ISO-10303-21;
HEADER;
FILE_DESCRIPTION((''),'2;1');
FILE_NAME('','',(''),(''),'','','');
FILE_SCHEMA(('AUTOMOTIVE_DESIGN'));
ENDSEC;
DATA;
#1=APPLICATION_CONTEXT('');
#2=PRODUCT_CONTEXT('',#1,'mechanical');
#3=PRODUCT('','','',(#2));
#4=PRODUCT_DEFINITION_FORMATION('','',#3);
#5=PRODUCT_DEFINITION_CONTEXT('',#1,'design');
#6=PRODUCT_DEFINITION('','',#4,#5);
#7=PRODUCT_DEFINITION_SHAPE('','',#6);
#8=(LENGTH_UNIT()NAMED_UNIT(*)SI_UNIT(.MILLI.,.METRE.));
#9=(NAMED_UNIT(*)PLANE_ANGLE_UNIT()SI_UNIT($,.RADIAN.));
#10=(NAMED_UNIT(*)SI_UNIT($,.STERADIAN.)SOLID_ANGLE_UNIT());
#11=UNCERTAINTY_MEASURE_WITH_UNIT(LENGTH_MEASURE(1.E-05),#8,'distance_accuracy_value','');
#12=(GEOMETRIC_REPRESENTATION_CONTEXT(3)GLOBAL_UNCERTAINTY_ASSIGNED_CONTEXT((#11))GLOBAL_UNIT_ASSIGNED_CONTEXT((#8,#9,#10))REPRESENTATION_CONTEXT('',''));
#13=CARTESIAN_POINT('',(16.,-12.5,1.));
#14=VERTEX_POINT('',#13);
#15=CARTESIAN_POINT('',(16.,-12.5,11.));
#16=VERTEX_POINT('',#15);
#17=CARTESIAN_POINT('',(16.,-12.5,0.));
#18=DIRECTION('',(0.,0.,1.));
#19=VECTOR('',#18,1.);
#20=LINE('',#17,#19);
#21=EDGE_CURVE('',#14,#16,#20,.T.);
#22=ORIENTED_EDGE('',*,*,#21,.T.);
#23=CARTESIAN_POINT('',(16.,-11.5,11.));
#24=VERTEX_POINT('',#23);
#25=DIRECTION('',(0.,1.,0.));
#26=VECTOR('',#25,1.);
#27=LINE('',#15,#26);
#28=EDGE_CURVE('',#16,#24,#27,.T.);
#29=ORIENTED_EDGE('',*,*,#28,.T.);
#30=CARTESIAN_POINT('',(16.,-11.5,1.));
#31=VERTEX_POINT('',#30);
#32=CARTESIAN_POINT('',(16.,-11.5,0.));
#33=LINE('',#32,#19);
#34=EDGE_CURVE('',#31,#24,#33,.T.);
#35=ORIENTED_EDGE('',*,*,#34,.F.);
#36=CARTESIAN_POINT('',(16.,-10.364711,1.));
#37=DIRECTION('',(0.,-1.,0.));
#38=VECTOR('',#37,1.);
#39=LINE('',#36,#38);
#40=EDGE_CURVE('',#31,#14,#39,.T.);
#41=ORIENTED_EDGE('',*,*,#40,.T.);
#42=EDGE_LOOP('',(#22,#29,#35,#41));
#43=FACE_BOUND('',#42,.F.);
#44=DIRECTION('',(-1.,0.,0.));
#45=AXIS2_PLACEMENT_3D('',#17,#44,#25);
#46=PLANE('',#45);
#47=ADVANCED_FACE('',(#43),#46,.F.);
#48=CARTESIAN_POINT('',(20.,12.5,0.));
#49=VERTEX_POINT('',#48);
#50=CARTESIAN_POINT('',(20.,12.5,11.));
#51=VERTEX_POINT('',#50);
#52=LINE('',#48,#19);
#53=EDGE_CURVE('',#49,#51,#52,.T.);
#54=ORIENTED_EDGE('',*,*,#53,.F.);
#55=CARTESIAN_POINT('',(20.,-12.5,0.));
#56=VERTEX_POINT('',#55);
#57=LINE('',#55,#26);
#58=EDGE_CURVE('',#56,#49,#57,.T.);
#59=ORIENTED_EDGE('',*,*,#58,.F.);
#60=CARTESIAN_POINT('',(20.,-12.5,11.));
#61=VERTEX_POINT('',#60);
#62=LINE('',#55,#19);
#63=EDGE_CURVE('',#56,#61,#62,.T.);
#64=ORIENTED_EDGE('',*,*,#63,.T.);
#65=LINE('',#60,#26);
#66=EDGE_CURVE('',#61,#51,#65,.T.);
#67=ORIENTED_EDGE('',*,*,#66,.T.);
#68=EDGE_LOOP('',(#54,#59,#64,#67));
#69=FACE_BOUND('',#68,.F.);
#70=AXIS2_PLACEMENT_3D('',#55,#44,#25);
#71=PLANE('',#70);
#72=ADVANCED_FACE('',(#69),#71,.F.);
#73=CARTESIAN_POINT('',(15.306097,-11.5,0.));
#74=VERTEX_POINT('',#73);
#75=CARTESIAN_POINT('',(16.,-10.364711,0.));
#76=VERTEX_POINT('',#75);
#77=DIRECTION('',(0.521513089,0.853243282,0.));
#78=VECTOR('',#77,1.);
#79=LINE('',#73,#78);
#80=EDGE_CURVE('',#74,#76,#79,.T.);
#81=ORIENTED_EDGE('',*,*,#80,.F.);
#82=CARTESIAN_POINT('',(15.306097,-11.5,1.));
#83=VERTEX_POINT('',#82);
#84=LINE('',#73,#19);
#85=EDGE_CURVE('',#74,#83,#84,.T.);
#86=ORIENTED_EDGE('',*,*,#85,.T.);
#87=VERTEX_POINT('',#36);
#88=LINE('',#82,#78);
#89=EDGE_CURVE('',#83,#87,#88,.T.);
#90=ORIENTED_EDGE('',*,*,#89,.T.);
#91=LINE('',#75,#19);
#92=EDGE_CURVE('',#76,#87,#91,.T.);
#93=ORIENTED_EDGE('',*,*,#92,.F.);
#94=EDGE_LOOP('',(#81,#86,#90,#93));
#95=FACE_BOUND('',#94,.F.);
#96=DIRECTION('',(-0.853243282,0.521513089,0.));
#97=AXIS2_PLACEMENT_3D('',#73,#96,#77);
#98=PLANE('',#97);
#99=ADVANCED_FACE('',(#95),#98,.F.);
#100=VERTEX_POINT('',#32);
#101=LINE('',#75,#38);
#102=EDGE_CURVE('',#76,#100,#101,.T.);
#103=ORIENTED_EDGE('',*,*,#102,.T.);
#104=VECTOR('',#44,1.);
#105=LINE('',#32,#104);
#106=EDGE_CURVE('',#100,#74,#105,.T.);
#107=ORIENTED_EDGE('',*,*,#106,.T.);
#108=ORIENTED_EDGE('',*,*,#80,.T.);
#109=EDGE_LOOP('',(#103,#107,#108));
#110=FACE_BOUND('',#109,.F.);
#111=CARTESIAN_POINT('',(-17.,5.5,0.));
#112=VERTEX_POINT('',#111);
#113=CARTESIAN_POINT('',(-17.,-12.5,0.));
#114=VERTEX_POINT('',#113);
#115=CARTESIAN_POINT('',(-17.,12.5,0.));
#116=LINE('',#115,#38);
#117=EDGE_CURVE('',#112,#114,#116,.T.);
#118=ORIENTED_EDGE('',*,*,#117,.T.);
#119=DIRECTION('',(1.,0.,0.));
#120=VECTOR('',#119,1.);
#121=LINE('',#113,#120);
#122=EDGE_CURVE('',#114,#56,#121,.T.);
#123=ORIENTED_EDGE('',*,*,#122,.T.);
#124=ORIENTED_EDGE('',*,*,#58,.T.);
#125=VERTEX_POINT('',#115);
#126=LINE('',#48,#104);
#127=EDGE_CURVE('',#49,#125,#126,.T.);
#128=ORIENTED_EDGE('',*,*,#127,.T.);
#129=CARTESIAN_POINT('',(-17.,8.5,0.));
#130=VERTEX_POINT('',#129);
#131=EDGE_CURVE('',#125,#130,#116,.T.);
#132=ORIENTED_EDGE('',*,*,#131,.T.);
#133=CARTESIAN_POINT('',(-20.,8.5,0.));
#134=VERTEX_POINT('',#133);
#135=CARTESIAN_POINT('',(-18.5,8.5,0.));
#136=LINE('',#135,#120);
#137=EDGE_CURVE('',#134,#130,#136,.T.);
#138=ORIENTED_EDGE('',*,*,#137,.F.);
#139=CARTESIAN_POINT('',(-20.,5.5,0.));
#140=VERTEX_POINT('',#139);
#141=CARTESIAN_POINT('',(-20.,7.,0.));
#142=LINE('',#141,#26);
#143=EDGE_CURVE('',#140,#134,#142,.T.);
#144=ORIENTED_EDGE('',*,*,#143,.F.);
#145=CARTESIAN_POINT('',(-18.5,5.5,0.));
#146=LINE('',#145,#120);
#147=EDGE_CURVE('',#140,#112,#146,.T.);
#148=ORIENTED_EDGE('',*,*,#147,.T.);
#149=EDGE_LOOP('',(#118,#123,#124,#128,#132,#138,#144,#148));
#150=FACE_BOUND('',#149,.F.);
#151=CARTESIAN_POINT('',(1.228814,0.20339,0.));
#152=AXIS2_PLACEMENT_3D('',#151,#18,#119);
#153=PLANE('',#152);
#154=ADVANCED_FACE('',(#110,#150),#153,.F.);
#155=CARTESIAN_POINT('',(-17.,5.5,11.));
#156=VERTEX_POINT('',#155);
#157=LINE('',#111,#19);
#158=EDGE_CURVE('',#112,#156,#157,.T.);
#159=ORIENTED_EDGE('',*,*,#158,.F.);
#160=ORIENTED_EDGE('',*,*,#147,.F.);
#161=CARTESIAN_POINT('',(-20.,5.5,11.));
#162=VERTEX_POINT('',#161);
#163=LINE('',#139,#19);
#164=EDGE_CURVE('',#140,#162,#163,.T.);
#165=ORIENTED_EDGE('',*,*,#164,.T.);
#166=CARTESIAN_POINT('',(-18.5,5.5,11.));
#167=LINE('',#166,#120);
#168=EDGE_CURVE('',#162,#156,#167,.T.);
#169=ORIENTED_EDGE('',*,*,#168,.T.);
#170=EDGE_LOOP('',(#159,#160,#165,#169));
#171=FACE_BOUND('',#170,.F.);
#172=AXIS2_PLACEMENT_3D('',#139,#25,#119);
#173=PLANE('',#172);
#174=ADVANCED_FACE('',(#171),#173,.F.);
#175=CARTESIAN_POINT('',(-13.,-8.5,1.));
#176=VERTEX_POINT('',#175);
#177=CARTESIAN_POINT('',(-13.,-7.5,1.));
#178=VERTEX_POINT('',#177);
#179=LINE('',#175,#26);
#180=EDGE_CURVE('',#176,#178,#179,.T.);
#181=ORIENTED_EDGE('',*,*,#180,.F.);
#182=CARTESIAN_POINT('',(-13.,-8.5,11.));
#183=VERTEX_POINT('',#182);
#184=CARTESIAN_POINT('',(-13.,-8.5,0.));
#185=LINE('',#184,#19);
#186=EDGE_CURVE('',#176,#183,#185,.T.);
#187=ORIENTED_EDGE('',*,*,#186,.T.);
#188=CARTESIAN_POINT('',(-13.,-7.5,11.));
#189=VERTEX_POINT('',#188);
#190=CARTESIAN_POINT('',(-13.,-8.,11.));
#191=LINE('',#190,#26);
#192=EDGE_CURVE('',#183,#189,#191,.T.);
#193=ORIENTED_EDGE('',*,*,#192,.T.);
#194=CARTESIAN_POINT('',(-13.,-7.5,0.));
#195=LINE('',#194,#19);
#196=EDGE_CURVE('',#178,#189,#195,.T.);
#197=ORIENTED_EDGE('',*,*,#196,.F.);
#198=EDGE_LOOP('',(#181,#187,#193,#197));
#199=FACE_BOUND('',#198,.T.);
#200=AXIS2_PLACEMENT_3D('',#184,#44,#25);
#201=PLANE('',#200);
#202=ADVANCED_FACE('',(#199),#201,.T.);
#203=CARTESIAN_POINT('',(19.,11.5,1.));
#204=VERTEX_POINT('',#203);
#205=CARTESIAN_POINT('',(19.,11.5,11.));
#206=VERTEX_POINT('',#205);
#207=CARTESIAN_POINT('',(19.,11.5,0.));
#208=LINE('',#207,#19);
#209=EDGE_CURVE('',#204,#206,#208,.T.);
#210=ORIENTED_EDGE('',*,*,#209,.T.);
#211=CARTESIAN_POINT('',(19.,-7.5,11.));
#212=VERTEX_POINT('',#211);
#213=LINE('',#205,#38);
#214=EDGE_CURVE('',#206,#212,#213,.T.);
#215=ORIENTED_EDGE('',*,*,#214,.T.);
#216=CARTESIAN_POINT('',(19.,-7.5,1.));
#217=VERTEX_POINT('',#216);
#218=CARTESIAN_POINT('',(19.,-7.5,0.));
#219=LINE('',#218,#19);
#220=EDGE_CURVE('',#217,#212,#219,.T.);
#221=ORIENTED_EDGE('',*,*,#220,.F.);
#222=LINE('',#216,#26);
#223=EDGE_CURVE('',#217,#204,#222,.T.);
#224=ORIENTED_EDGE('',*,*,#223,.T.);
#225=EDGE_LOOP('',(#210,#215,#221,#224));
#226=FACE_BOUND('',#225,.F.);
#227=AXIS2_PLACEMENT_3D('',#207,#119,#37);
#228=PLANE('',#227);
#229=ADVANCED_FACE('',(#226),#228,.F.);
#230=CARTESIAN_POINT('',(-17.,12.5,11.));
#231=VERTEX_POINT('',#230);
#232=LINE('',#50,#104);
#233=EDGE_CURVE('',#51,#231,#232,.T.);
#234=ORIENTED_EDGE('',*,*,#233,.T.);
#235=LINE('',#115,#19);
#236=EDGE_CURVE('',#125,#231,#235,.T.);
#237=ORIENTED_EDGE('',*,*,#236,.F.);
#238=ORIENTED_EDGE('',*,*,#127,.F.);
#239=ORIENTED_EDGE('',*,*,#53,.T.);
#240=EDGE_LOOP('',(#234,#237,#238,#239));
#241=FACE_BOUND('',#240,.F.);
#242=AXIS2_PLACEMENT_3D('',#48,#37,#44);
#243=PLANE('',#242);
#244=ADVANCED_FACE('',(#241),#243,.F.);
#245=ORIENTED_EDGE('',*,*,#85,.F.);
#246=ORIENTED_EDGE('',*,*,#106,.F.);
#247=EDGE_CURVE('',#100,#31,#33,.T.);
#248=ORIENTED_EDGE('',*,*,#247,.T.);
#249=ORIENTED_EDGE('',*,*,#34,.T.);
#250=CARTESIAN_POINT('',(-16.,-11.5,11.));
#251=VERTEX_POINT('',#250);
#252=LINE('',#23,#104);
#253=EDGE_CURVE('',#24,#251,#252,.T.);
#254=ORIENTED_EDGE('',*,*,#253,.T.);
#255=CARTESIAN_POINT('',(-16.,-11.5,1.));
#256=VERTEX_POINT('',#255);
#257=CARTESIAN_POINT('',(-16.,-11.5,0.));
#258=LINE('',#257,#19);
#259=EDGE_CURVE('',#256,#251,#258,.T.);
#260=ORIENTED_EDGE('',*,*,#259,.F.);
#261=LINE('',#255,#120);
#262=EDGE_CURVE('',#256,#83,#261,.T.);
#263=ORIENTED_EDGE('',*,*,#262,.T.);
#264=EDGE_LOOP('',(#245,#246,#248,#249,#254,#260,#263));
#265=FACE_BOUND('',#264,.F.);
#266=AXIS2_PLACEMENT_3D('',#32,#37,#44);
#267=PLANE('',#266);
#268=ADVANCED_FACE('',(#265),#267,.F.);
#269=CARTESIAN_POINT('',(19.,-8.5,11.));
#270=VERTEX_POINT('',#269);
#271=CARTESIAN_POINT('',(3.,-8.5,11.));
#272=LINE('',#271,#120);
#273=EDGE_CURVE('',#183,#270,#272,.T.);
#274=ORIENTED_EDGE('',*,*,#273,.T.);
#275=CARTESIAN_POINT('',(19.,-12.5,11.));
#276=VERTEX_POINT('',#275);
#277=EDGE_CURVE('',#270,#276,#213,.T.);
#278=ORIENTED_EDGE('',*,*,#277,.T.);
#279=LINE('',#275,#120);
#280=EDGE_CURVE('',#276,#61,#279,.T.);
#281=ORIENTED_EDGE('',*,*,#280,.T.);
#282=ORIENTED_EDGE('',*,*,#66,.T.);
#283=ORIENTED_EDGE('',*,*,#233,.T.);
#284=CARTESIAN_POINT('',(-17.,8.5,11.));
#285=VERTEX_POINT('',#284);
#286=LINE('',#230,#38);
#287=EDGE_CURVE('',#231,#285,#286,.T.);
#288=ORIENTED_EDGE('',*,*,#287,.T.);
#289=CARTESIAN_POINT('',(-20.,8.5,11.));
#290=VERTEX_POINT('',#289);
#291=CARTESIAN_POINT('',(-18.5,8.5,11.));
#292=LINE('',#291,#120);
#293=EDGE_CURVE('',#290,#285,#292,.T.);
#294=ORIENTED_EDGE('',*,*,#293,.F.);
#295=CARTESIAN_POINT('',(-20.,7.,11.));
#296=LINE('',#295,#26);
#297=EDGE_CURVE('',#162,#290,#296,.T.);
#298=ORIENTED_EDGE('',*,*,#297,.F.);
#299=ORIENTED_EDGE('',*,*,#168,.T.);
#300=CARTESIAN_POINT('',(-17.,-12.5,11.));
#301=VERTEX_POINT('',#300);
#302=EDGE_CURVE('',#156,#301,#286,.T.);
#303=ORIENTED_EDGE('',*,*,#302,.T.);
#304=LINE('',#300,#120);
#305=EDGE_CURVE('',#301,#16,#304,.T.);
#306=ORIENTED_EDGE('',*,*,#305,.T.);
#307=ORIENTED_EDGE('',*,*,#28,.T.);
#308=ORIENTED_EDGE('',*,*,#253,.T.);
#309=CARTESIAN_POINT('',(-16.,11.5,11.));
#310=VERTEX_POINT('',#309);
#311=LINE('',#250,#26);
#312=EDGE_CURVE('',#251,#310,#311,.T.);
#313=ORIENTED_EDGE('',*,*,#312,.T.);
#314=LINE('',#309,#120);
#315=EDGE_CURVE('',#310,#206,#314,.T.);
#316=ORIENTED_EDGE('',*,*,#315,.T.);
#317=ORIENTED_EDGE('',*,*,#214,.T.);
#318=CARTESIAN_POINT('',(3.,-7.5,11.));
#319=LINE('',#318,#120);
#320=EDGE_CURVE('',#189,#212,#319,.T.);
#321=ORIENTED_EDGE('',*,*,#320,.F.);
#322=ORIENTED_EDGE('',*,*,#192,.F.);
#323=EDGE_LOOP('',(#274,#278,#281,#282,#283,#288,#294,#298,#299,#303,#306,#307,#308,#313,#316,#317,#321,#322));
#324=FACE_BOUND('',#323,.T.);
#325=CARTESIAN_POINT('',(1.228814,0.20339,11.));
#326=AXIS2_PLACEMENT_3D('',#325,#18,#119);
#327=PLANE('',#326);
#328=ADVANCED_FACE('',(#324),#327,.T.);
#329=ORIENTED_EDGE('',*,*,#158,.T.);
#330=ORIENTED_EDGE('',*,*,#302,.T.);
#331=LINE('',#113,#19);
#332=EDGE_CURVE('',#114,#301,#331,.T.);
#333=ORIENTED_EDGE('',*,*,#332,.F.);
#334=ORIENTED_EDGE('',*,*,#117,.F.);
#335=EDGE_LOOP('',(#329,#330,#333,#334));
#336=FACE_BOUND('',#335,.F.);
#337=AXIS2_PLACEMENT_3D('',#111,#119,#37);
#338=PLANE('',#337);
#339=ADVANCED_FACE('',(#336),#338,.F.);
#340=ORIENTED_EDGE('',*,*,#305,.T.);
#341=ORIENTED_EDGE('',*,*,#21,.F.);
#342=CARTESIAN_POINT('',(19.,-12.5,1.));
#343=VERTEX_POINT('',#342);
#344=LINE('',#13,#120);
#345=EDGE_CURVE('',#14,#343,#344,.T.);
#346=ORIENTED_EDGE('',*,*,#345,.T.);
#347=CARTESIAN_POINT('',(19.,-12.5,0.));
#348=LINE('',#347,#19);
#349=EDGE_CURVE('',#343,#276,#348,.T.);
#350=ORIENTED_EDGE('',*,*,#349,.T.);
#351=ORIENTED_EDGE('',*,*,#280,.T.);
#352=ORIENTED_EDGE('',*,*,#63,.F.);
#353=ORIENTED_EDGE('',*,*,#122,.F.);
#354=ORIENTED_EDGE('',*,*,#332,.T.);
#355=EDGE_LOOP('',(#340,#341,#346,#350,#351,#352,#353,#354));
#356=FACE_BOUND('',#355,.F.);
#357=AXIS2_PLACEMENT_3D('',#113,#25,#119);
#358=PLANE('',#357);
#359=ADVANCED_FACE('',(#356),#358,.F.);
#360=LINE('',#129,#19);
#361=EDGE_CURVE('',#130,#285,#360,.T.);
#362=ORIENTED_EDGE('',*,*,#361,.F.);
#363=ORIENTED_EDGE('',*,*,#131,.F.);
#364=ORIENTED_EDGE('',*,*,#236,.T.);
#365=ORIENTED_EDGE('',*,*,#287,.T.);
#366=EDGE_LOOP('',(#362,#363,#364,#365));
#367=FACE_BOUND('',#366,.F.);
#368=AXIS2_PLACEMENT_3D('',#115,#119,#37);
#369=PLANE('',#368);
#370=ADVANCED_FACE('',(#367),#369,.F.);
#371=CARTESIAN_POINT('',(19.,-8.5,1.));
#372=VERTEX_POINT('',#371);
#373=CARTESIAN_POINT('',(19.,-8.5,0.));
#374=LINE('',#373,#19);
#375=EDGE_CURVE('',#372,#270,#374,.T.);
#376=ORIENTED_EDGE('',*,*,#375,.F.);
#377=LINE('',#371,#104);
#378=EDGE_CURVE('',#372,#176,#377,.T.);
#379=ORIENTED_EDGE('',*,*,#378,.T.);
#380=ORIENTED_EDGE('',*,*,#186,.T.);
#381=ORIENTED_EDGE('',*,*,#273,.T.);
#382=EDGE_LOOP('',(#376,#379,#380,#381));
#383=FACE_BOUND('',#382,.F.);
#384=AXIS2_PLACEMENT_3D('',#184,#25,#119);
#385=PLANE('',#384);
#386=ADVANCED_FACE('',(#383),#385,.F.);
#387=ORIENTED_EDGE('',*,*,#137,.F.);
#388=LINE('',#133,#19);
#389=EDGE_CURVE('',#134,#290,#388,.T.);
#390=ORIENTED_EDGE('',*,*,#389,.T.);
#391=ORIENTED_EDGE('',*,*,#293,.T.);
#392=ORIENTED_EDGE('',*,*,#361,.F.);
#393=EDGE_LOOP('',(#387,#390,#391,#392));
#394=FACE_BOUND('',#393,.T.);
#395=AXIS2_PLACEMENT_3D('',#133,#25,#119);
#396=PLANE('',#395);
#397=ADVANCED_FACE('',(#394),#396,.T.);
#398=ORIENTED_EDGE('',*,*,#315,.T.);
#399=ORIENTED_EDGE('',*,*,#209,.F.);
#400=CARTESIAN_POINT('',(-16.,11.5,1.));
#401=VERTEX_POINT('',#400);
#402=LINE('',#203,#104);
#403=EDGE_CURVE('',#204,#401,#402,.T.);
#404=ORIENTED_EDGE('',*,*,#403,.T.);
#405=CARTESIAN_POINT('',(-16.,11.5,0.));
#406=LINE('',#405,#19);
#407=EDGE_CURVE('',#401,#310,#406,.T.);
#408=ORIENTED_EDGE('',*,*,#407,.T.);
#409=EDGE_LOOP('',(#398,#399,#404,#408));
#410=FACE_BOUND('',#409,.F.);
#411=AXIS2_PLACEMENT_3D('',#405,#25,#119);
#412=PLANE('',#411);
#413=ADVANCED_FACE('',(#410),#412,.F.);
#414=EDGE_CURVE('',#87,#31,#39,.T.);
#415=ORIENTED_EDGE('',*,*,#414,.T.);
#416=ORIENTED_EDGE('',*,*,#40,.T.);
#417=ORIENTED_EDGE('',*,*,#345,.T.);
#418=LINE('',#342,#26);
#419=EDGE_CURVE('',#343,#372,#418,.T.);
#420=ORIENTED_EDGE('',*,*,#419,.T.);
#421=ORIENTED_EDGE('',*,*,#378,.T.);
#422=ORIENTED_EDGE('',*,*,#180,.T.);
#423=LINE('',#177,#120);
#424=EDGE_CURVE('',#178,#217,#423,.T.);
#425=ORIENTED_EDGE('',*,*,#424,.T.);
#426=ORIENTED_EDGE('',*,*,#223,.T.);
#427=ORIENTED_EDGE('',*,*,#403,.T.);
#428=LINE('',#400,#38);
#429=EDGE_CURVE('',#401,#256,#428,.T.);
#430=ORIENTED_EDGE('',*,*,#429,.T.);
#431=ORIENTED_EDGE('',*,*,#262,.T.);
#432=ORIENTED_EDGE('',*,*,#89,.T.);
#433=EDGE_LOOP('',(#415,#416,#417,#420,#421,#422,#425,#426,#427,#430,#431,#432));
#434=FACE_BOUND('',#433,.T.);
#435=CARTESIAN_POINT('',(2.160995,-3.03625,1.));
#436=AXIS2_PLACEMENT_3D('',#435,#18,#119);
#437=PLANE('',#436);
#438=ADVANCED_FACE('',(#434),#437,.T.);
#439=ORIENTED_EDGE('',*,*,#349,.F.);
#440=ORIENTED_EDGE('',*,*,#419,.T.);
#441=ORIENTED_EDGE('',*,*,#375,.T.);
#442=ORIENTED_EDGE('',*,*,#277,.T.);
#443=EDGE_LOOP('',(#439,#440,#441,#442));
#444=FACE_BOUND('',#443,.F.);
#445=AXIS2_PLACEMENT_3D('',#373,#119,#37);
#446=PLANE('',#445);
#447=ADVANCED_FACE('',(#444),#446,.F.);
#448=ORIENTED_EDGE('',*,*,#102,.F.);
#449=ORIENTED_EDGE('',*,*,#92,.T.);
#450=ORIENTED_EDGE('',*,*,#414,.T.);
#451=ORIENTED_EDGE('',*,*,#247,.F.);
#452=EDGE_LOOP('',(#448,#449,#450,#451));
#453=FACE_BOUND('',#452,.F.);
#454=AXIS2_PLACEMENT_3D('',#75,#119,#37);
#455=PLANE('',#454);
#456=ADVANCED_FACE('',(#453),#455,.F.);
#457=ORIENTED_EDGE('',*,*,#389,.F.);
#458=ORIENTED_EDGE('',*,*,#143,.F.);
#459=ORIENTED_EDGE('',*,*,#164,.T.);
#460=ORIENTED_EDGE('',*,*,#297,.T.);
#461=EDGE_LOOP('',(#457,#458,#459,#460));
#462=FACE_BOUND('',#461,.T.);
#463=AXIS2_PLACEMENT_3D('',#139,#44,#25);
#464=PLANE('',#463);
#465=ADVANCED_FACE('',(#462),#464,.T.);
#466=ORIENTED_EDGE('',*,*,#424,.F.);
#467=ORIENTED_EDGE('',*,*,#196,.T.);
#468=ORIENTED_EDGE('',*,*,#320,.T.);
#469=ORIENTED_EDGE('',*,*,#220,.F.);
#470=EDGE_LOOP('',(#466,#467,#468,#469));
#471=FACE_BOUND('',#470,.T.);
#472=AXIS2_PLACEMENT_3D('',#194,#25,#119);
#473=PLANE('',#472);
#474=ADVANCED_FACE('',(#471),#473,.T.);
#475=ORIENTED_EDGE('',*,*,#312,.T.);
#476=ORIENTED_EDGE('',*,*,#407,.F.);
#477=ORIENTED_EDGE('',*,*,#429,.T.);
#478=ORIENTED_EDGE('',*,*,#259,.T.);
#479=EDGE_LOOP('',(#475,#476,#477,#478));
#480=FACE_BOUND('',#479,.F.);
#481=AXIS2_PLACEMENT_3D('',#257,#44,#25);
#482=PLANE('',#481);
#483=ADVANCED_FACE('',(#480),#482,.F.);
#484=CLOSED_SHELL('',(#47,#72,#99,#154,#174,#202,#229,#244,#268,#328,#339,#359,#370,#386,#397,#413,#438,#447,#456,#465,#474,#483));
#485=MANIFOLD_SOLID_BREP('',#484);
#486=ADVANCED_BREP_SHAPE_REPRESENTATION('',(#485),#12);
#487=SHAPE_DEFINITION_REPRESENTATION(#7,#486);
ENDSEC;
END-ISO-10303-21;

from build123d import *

# Parameters (mm, degrees)
F1_DEPTH = 1
F0_W     = 32
F0_H     = 1
F0_W_2   = 3
F0_H_2   = 3
F2_DEPTH = 11


with BuildPart() as f1:
    # F0 (on Top) → F1 (new body)
    with BuildSketch(Plane.XY):
        Polygon((16, -11.5), (16, -12.5), (19, -12.5), (19, -11.5), (19, -8.5), (-13, -8.5), (-13, -7.5), (19, -7.5), (19, 11.5), (-16, 11.5), (-16, -11.5), (15.306097, -11.5), (16, -10.364711), align=None)
    extrude(amount=F1_DEPTH)

    # F0 (on Top) → F2 (join)
    with BuildSketch(Plane.XY):
        Polygon((-17, -10.5), (-17, -12.5), (16, -12.5), (16, -11.5), (15.306097, -11.5), (-16, -11.5), (-16, 11.5), (19, 11.5), (19, -7.5), (19, -8.5), (19, -11.5), (19, -12.5), (20, -12.5), (20, 12.5), (-17, 12.5), (-17, 8.5), (-17, 5.5), (-17, 3.5), (-17, 1.5), (-17, -0.5), (-17, -2.5), (-17, -4.5), (-17, -6.5), (-17, -8.5), align=None)
        with Locations((3, -8)):
            Rectangle(F0_W, F0_H)
        with Locations((-18.5, 7)):
            Rectangle(F0_W_2, F0_H_2)
    extrude(amount=F2_DEPTH)


solid = f1.part
